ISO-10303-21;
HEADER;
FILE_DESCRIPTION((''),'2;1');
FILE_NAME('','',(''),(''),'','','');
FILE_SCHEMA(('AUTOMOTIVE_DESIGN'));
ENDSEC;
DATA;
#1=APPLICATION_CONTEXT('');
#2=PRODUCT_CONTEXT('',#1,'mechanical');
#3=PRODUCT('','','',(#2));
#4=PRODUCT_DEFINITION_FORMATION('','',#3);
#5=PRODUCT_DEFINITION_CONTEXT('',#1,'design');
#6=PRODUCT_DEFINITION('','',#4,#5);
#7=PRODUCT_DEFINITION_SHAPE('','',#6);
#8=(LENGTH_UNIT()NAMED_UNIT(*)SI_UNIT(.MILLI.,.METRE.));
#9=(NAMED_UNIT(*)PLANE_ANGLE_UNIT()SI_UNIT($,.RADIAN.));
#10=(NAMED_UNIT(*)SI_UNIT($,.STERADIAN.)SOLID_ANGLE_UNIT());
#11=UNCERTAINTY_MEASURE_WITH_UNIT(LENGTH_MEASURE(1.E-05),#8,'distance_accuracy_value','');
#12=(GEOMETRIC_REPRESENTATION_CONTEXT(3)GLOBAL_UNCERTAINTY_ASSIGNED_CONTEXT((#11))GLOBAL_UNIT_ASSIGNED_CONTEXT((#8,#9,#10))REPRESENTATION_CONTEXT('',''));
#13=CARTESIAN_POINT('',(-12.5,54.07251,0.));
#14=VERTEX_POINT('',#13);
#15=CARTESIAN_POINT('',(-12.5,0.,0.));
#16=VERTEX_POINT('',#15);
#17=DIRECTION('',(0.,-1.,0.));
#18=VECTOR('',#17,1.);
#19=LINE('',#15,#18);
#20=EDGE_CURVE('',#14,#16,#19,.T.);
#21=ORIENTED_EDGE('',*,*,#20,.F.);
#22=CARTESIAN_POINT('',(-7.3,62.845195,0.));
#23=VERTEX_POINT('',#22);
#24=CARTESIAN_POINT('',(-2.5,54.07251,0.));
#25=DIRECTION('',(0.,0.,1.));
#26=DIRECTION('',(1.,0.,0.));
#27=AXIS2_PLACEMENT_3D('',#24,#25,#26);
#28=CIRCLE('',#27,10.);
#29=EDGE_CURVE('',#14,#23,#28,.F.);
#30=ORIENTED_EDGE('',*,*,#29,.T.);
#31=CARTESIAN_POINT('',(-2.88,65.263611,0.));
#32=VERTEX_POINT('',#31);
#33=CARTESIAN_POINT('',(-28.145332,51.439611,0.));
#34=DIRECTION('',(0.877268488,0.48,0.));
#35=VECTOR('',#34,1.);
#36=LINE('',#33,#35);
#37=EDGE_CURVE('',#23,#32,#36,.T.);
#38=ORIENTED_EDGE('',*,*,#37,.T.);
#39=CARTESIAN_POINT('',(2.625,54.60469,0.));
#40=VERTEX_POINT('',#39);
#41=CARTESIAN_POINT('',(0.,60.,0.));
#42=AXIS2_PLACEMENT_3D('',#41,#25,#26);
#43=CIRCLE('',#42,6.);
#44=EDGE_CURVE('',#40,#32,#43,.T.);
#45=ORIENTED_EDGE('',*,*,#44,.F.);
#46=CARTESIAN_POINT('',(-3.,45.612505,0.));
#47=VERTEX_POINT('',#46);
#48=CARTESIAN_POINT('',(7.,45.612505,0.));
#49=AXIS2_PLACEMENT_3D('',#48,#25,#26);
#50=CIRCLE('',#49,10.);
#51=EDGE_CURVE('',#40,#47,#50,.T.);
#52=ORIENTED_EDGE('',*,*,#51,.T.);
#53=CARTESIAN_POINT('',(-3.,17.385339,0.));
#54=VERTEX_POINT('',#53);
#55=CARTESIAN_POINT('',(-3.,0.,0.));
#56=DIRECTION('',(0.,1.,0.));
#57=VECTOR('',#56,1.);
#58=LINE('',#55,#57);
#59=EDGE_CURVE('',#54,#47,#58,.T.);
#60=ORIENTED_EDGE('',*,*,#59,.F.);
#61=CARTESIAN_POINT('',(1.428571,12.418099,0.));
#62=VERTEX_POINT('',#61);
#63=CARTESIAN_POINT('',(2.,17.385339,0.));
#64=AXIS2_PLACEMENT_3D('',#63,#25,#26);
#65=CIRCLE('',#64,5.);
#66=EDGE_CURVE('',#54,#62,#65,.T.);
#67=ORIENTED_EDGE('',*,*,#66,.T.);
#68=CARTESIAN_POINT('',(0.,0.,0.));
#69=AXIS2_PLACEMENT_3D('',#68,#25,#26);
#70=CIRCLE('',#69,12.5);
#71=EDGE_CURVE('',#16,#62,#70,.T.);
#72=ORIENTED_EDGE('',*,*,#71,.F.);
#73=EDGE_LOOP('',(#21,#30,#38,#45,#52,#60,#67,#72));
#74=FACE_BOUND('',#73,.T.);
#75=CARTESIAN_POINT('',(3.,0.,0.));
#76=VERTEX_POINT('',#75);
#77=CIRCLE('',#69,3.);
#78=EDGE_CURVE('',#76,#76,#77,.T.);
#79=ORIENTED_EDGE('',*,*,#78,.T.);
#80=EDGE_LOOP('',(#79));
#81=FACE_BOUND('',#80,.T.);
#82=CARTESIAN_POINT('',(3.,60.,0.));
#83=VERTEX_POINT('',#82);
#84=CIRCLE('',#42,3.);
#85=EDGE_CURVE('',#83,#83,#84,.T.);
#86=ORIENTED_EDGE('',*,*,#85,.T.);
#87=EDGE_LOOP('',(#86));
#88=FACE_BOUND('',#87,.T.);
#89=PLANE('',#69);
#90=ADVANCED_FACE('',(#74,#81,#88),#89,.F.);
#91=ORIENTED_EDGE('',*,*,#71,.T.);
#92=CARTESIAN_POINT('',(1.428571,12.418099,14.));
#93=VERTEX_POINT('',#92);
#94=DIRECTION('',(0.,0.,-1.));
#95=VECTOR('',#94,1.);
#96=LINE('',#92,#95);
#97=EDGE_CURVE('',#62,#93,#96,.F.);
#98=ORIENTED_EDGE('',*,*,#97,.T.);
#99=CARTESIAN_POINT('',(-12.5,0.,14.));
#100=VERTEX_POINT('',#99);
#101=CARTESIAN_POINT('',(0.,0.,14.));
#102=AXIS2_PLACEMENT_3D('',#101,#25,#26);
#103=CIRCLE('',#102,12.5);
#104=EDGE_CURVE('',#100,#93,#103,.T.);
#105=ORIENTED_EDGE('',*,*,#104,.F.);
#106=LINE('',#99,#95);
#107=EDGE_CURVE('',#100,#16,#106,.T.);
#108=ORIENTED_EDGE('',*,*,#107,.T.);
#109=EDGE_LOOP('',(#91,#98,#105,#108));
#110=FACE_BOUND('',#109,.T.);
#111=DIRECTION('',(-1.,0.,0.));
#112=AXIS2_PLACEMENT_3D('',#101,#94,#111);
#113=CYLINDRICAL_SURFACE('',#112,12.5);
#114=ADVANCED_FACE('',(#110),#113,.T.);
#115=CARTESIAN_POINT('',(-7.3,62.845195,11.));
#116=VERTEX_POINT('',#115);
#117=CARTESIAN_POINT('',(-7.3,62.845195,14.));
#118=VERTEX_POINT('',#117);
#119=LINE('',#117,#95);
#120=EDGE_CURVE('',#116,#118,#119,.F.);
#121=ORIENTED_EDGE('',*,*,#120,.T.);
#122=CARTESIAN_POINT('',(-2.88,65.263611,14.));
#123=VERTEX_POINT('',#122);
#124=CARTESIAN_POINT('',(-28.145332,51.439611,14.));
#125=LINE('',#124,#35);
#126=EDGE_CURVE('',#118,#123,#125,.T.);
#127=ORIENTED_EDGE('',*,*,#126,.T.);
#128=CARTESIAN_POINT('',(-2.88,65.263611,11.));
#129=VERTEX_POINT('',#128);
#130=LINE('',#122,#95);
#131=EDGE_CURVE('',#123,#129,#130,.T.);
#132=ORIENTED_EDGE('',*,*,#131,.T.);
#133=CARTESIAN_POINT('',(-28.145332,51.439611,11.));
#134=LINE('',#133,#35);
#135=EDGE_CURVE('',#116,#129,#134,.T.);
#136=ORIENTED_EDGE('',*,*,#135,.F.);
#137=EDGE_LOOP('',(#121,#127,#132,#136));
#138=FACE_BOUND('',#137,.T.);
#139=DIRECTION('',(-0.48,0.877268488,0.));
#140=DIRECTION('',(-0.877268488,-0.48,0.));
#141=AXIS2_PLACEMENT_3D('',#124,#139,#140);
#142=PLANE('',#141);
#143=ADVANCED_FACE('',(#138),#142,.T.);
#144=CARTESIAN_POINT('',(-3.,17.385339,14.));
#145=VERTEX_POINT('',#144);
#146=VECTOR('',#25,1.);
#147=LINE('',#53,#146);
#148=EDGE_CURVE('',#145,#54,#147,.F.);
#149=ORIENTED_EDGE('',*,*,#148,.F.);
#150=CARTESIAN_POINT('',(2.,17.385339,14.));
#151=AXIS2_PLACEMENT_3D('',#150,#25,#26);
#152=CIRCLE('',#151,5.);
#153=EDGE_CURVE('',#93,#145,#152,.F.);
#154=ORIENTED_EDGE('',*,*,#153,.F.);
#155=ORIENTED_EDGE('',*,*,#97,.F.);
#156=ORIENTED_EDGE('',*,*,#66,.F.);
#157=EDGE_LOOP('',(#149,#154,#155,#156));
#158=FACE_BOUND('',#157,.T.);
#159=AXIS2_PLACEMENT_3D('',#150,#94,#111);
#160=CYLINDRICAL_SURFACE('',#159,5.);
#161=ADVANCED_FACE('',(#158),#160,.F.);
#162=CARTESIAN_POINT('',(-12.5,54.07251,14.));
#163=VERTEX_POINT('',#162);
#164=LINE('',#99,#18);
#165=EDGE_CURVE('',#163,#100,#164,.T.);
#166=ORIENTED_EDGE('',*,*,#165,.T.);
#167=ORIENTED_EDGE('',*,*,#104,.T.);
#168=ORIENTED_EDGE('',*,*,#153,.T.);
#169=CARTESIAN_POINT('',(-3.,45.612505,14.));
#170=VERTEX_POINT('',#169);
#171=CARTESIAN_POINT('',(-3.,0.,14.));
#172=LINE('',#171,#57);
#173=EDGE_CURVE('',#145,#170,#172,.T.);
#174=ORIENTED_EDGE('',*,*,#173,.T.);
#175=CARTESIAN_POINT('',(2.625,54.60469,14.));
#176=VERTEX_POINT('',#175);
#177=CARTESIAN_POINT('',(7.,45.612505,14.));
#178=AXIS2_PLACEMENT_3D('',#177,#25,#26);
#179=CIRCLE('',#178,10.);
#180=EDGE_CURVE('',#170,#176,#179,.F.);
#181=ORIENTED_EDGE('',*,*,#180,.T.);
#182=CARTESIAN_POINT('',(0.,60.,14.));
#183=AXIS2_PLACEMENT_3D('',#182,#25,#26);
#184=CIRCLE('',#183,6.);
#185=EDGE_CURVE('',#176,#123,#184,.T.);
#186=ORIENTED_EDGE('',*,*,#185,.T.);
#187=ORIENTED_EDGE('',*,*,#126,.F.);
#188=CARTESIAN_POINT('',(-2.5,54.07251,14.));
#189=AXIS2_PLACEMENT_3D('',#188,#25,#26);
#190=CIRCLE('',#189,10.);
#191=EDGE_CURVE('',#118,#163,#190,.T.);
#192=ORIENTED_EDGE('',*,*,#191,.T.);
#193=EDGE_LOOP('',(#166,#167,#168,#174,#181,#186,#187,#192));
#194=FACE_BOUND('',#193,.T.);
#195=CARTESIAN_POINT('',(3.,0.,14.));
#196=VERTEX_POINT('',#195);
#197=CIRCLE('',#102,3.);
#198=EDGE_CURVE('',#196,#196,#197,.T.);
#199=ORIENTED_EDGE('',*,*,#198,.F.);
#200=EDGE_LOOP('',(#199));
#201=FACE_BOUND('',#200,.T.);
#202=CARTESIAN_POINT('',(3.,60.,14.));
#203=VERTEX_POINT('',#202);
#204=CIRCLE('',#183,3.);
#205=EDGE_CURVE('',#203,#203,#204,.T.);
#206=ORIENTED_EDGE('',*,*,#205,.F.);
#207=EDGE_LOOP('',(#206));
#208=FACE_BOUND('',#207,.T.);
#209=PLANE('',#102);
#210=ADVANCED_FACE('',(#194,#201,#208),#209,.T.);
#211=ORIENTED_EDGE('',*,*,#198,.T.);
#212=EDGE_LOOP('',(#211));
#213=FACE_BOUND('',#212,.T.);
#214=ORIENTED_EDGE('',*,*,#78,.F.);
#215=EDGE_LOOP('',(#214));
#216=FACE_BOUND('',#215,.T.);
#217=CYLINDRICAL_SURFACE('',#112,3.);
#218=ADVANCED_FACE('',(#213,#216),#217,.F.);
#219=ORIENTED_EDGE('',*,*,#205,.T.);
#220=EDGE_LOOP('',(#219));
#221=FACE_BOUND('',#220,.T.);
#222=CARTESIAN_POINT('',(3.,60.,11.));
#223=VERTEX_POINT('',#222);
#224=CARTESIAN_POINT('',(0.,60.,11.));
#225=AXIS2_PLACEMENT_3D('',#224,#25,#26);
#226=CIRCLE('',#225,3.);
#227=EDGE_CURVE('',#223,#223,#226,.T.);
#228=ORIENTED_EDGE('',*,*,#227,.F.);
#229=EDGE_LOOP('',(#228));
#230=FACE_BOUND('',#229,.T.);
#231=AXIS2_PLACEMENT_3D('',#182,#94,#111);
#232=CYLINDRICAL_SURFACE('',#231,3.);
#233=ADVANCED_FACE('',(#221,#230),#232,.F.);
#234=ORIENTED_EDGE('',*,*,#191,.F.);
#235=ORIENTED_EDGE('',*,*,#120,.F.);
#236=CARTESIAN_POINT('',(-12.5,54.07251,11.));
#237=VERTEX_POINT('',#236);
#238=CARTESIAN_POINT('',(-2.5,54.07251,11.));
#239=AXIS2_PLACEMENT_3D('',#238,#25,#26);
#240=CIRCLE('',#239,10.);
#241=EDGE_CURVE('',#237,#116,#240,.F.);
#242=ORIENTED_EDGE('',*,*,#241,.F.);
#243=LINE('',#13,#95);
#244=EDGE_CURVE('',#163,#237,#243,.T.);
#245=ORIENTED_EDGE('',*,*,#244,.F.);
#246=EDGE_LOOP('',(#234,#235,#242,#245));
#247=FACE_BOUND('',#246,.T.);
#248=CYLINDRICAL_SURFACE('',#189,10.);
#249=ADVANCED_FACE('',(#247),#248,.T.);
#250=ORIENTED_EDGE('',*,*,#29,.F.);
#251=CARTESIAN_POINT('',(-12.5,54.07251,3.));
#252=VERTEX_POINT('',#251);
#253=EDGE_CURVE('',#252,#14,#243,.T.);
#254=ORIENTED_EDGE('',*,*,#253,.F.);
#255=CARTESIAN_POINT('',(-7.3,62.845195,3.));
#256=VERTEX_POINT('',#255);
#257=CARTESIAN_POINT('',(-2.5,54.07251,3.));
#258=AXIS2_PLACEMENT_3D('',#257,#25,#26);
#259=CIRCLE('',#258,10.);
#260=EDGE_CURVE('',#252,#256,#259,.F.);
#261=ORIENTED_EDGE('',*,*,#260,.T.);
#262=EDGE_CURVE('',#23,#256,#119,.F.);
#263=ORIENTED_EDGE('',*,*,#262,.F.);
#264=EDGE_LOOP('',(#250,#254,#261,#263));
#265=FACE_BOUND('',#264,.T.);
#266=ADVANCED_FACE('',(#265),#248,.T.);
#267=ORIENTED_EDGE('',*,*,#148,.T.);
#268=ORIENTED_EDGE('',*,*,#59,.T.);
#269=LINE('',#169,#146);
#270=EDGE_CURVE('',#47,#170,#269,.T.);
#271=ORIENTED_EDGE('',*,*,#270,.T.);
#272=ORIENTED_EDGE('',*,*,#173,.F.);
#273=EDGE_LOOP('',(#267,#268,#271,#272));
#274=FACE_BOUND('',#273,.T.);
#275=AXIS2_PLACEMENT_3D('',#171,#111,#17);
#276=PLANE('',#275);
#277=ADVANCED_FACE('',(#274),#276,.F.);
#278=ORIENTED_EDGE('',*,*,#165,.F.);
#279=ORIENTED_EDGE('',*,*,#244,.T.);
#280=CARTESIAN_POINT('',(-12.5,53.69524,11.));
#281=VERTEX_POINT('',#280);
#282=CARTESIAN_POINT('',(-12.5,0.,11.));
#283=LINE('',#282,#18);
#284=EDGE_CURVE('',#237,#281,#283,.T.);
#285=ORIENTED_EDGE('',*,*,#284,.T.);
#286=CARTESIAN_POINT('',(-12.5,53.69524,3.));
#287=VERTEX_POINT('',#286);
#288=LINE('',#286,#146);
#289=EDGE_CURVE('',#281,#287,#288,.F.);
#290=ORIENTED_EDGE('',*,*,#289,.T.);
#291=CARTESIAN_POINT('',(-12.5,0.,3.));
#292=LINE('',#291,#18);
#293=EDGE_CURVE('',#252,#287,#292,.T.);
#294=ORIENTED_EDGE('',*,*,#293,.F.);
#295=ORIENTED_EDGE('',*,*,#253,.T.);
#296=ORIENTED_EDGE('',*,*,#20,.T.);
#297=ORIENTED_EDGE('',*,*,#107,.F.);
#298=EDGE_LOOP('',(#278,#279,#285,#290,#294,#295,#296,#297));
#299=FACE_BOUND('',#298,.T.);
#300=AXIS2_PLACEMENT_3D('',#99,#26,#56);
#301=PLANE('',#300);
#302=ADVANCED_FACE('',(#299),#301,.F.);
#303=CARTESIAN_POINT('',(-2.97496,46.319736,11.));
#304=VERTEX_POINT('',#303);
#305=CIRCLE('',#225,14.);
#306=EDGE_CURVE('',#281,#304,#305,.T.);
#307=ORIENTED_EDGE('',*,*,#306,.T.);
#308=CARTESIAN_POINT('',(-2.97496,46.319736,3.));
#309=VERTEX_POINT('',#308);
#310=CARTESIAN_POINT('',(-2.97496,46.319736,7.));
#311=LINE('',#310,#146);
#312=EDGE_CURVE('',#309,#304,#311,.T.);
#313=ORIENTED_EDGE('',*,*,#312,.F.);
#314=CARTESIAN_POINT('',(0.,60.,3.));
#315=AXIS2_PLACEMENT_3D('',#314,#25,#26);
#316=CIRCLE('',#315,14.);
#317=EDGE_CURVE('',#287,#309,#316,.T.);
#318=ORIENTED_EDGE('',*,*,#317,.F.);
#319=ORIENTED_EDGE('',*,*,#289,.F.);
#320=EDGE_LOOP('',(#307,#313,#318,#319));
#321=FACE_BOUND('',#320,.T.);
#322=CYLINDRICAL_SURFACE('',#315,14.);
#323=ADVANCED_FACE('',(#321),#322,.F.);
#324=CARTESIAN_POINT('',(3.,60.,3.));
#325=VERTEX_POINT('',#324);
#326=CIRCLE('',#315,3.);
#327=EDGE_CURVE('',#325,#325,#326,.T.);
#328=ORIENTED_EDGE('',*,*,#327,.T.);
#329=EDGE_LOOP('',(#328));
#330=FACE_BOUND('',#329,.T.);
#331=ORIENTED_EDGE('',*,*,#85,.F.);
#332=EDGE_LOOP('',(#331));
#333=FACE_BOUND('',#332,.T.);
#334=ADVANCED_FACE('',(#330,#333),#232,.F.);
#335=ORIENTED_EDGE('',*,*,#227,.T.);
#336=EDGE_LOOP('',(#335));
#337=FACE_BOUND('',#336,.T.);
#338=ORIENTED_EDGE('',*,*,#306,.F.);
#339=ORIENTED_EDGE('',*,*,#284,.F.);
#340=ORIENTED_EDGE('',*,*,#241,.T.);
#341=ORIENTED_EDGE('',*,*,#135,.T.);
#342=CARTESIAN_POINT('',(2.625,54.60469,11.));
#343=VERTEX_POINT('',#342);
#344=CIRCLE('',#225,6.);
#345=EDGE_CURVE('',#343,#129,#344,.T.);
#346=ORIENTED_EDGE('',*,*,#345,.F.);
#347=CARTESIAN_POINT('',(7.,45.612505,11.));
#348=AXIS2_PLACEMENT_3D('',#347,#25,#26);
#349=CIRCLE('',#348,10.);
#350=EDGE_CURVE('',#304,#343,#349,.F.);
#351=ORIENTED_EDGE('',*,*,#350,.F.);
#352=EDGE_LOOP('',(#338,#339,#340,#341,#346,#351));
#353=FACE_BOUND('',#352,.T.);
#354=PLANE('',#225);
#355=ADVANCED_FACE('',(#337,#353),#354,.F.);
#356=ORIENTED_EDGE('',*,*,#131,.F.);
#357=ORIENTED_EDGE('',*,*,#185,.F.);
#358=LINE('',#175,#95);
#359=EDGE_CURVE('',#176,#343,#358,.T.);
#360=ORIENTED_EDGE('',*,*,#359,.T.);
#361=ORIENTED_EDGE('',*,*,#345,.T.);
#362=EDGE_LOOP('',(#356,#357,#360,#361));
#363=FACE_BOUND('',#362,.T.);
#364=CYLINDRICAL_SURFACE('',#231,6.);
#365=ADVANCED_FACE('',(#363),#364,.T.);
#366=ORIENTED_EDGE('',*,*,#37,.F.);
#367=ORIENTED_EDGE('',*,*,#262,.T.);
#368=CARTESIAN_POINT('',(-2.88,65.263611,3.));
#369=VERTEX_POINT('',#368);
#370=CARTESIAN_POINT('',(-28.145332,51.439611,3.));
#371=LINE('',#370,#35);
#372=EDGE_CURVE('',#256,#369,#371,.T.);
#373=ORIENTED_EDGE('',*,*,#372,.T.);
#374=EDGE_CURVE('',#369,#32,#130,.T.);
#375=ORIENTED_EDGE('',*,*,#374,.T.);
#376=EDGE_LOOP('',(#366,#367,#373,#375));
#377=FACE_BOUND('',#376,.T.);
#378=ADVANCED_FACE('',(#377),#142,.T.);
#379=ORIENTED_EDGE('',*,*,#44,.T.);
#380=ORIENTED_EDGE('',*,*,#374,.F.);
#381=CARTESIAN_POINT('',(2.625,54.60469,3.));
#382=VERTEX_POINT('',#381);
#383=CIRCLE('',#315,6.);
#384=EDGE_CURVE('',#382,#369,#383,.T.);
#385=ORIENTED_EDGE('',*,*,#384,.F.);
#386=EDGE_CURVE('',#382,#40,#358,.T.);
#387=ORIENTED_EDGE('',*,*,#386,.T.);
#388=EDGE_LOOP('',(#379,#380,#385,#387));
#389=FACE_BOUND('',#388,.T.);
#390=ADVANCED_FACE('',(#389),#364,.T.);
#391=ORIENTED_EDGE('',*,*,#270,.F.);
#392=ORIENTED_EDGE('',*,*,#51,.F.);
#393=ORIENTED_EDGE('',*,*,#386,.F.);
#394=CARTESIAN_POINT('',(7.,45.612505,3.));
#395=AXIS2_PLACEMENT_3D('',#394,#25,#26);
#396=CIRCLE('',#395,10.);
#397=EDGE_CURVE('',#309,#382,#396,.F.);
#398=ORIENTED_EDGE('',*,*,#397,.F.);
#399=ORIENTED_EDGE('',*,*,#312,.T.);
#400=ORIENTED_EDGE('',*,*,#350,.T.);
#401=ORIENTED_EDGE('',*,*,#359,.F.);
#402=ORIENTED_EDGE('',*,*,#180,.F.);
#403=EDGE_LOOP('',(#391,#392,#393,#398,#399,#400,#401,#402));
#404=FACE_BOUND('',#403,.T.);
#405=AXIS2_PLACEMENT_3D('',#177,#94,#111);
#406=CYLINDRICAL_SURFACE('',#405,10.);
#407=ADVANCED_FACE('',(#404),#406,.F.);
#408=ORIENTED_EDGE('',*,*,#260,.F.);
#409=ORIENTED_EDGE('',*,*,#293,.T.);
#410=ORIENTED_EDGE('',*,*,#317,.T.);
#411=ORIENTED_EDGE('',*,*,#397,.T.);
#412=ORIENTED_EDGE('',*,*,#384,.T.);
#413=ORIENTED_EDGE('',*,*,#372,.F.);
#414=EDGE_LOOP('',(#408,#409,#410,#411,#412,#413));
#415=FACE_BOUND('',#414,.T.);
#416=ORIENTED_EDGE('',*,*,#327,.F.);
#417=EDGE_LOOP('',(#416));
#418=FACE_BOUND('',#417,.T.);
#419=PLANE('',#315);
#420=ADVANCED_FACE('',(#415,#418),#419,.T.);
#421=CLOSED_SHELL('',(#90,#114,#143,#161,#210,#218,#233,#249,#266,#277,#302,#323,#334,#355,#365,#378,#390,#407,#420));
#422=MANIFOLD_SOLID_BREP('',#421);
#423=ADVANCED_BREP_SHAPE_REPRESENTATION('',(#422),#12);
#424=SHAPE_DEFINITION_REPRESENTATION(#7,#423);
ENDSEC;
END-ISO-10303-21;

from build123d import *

# Parameters (mm, degrees)
CROQUIS1_R              = 3
SALIENTE_EXTRUIR1_DEPTH = 14
REDONDEO1_R             = 10
REDONDEO2_R             = 10
REDONDEO3_R             = 5
CORTAR_EXTRUIR1_START   = -3
CROQUIS2_R              = 14
CORTAR_EXTRUIR1_DEPTH   = 8


with BuildPart() as part:
    # Croquis1 → Saliente-Extruir1 (new body)
    with BuildSketch(Plane.XY):
        with BuildLine():
            ThreePointArc((-12.5, 0), (9.842509843, -7.705517504), (-3, 12.1346611))
            Line((-3, 12.1346611), (-3, 54.803847577))
            ThreePointArc((-3, 54.803847577), (5.999605182, 59.93116932), (-2.88, 65.263610928))
            Line((-2.88, 65.263610928), (-12.5, 60))
            Line((-12.5, 60), (-12.5, 0))
        make_face()
        Circle(CROQUIS1_R, mode=Mode.SUBTRACT)
        with Locations((0, 60)):
            Circle(CROQUIS1_R, mode=Mode.SUBTRACT)
    extrude(amount=SALIENTE_EXTRUIR1_DEPTH)

    # Redondeo1
    redondeo1_edges = [part.edges().sort_by_distance(p)[0] for p in [
        (-12.5, 60, 7),
    ]]
    fillet(redondeo1_edges, radius=REDONDEO1_R)

    # Redondeo2
    redondeo2_edges = [part.edges().sort_by_distance(p)[0] for p in [
        (-3, 54.803847577, 7),
    ]]
    fillet(redondeo2_edges, radius=REDONDEO2_R)

    # Redondeo3
    redondeo3_edges = [part.edges().sort_by_distance(p)[0] for p in [
        (-3, 12.1346611, 7),
    ]]
    fillet(redondeo3_edges, radius=REDONDEO3_R)

    # Croquis2 → Cortar-Extruir1 (cut)
    with BuildSketch(Plane.XY.offset(14).offset(CORTAR_EXTRUIR1_START)):
        with Locations((0, 60)):
            Circle(CROQUIS2_R)
    extrude(amount=-CORTAR_EXTRUIR1_DEPTH, mode=Mode.SUBTRACT)


solid = part.part
